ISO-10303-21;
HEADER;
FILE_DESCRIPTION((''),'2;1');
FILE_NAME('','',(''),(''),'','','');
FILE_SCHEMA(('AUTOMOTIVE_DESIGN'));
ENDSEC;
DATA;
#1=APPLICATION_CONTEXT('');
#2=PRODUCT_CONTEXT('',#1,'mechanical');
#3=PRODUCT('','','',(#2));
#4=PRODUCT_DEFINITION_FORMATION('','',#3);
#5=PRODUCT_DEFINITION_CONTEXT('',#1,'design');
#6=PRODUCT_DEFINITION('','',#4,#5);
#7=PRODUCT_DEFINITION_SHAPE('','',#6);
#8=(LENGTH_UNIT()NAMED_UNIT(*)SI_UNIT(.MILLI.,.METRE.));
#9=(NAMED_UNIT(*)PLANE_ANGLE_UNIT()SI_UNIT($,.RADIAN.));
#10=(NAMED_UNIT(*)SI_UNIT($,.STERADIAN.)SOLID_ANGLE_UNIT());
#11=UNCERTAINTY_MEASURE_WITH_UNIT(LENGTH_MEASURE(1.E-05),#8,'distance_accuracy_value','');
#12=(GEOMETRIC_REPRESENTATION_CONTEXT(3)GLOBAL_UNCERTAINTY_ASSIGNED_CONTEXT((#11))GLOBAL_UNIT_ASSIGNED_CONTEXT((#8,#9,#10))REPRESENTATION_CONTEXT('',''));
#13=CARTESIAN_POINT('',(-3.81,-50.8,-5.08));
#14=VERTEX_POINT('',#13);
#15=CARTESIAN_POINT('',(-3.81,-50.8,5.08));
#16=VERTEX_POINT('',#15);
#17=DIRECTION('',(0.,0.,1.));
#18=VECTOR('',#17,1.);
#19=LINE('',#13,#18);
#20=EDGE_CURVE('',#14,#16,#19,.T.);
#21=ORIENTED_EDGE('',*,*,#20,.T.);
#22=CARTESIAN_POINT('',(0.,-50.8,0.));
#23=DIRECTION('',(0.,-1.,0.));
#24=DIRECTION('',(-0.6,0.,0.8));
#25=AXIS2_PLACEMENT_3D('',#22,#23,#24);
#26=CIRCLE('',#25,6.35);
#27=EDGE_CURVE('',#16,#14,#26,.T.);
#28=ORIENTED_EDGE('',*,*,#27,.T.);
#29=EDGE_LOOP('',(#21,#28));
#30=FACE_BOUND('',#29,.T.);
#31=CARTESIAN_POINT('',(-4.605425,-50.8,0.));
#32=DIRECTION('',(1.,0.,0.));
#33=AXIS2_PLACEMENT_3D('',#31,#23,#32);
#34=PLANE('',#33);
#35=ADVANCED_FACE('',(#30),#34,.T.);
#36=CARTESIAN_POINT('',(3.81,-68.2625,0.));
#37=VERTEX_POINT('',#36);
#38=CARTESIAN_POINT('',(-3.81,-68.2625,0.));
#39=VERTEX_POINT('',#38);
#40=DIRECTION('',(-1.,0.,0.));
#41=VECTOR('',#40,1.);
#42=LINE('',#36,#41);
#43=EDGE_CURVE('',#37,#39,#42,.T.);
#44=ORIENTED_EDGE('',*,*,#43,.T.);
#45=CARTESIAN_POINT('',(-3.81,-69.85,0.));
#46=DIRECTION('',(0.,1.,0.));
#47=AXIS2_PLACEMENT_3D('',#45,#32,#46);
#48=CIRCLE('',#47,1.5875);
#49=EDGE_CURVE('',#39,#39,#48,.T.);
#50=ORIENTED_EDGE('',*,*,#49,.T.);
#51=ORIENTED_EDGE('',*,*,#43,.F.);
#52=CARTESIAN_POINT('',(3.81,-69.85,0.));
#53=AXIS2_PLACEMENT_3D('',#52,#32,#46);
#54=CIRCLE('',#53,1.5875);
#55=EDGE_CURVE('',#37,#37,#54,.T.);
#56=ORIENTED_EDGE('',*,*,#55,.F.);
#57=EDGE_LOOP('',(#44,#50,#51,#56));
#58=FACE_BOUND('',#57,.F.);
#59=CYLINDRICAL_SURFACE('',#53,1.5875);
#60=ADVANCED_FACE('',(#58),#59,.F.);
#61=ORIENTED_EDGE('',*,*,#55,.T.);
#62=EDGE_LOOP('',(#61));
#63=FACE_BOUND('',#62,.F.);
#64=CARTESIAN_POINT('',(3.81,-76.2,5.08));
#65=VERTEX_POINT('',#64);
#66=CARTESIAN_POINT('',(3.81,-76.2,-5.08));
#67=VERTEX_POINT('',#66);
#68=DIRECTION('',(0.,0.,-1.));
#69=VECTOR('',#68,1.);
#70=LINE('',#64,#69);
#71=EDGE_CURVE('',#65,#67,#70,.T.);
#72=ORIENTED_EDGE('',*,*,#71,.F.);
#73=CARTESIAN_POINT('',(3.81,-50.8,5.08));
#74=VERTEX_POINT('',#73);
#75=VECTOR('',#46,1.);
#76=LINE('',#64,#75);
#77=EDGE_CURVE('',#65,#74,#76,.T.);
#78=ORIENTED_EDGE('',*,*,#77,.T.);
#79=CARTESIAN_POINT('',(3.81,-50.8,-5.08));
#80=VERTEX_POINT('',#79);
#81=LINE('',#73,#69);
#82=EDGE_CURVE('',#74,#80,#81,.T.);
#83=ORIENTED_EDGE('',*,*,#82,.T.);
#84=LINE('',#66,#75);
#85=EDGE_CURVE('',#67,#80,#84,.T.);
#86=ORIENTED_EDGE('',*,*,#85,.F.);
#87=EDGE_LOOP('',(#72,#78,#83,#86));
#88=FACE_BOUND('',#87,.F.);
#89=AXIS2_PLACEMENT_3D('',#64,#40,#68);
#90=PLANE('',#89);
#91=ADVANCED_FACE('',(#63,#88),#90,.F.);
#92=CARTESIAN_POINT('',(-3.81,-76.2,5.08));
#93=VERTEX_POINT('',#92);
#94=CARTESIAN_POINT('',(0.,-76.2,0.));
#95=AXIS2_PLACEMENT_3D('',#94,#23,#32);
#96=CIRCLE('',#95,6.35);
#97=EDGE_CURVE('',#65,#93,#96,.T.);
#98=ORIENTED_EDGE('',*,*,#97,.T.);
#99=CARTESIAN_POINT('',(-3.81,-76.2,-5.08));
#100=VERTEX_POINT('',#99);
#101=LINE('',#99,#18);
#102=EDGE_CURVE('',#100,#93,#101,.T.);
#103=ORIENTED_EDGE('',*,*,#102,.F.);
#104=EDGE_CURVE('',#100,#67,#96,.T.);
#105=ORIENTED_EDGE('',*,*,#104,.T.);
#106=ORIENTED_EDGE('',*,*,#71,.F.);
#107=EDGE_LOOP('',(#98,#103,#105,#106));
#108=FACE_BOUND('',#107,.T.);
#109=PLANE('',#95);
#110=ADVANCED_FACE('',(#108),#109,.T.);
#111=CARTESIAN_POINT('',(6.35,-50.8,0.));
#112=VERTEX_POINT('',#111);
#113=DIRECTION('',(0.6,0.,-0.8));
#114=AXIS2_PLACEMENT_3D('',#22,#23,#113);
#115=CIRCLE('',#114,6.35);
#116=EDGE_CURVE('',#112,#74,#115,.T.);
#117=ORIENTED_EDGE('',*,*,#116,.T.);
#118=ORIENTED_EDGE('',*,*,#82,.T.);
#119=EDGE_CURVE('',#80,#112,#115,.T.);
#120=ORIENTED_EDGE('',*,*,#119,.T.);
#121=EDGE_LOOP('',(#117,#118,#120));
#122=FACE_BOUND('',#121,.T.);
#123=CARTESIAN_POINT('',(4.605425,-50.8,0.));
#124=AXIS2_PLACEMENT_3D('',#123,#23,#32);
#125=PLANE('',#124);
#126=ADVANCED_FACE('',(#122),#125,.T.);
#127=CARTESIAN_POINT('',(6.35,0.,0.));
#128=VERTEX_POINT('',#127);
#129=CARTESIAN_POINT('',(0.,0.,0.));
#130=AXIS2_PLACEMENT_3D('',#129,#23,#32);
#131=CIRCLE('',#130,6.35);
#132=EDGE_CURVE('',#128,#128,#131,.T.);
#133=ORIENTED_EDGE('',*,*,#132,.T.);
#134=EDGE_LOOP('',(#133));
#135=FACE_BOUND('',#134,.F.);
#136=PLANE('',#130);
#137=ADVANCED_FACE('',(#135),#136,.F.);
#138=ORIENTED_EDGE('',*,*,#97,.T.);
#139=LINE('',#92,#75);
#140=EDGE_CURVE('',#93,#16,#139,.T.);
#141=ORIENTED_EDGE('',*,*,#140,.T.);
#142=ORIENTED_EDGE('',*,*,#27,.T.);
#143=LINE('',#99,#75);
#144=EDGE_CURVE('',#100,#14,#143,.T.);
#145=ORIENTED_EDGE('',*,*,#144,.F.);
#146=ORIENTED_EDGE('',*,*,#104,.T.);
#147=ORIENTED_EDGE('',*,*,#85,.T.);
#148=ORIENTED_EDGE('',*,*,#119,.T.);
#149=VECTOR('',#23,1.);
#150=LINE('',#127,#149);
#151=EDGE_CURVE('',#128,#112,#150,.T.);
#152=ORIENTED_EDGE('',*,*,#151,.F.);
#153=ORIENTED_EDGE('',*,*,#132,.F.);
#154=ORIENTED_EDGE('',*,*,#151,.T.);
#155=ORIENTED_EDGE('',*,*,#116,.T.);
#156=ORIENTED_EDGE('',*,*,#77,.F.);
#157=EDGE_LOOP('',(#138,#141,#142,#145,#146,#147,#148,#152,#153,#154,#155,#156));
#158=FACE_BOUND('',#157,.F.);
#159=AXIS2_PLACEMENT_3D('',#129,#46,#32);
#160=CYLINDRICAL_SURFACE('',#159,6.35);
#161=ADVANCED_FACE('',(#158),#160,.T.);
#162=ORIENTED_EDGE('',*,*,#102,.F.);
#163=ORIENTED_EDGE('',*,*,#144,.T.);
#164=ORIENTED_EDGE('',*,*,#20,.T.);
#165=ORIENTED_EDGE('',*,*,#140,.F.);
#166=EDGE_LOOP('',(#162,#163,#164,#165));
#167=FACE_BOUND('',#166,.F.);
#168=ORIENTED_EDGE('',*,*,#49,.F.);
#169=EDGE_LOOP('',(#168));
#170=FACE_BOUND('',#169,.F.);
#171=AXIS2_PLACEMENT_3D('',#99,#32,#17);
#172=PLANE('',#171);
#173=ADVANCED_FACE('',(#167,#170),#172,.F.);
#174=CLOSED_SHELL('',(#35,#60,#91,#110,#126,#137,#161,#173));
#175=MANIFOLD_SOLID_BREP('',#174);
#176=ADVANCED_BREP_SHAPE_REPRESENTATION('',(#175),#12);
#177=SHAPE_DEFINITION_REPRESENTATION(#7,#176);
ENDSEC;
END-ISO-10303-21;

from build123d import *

# Parameters (mm, degrees)
F0_R     = 6.35
F1_DEPTH = 76.2
F3_DEPTH = 25.4
F4_R     = 1.5875
F5_DEPTH = 25.4


with BuildPart() as f1:
    # F0 (on Front) → F1 (new body)
    with BuildSketch(Plane.XZ):
        Circle(F0_R)
    extrude(amount=F1_DEPTH)

    # F2 (on face) → F3 (cut)
    with BuildSketch(Plane.XZ.offset(76.2)):
        with BuildLine():
            ThreePointArc((3.81, -5.08), (6.35, 0), (3.81, 5.08))
            Line((3.81, 5.08), (3.81, -5.08))
        make_face()
        with BuildLine():
            Line((-3.81, -5.08), (-3.81, 5.08))
            ThreePointArc((-3.81, 5.08), (-6.35, 0), (-3.81, -5.08))
        make_face()
    extrude(amount=-F3_DEPTH, mode=Mode.SUBTRACT)

    # F4 (on face) → F5 (cut)
    with BuildSketch(Plane.YZ.offset(3.81)):
        with Locations((-69.85, 0)):
            Circle(F4_R)
    extrude(amount=-F5_DEPTH, mode=Mode.SUBTRACT)


solid = f1.part
